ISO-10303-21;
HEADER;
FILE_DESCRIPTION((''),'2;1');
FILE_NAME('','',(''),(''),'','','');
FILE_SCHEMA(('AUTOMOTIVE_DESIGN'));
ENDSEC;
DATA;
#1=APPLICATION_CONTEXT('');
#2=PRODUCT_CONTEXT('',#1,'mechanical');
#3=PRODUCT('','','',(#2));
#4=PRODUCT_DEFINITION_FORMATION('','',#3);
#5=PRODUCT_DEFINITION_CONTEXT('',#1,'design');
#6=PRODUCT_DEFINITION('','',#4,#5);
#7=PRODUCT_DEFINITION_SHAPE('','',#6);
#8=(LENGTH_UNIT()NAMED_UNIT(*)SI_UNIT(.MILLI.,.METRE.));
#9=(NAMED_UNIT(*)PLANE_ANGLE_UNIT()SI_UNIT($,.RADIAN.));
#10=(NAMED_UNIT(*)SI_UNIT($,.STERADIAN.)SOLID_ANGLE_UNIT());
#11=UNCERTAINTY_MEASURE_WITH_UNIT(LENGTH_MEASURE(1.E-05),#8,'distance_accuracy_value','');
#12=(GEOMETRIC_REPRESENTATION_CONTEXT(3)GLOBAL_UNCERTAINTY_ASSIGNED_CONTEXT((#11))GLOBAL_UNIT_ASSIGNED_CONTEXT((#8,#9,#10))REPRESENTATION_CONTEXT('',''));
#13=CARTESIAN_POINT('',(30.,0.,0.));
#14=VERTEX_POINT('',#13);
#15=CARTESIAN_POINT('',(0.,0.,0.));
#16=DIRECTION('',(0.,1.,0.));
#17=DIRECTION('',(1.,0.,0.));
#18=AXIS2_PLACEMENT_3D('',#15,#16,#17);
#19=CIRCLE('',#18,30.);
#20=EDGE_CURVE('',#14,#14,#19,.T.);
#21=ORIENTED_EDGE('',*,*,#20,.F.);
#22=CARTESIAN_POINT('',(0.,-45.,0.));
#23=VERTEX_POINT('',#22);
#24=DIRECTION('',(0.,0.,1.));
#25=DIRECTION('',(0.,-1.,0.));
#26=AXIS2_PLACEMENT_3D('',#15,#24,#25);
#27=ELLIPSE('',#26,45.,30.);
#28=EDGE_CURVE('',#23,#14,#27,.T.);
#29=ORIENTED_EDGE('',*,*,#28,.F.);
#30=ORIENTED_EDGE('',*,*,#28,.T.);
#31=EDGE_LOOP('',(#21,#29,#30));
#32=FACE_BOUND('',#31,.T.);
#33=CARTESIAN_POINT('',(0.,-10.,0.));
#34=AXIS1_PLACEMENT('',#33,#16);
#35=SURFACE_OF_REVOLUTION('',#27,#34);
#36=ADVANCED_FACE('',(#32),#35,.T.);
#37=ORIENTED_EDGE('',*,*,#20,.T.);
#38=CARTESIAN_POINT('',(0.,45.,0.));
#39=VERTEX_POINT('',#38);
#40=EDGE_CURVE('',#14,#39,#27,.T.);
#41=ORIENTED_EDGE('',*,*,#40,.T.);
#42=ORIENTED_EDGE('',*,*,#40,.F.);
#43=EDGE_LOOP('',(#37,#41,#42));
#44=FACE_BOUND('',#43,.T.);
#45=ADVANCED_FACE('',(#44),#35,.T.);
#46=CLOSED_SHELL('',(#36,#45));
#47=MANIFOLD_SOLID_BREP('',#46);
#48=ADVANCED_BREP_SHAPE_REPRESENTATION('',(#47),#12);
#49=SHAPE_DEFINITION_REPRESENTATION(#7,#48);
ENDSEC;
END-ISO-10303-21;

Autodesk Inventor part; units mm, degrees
ref_plane "YZ Plane" through (0, 0, 0) normal (1, 0, 0) x (0, 1, 0)
ref_plane "XZ Plane" through (0, 0, 0) normal (0, 1, 0) x (-1, 0, 0)
ref_plane "XY Plane" through (0, 0, 0) normal (0, 0, 1) x (1, 0, 0)
sketch "Skizze1" plane through (0, 0, 0) normal (0, 0, 1) x (1, 0, 0)
  line L0 (-42, 0) -> (42, 0) projected
  line L1 (0, -63) -> (0, 63) projected
  ellipse E0 centre (0, 0) end of major axis (-30, 0) minor radius 45
  point P0 (0, 45)
  point P1 (0, -45)
  dimension "d0" = 30
  dimension "d1" = 45
revolve "Umdrehung1" add sketch "Skizze1" angle 360 about axis through (0, -10, 0) along (0, 1, 0) picked at (4.3803, 28.4844) picked at (3.0256, -29.297) contours L1 E0 L0 | L0 E0 L1
properties part number "Ei_groß" material "Gold"
